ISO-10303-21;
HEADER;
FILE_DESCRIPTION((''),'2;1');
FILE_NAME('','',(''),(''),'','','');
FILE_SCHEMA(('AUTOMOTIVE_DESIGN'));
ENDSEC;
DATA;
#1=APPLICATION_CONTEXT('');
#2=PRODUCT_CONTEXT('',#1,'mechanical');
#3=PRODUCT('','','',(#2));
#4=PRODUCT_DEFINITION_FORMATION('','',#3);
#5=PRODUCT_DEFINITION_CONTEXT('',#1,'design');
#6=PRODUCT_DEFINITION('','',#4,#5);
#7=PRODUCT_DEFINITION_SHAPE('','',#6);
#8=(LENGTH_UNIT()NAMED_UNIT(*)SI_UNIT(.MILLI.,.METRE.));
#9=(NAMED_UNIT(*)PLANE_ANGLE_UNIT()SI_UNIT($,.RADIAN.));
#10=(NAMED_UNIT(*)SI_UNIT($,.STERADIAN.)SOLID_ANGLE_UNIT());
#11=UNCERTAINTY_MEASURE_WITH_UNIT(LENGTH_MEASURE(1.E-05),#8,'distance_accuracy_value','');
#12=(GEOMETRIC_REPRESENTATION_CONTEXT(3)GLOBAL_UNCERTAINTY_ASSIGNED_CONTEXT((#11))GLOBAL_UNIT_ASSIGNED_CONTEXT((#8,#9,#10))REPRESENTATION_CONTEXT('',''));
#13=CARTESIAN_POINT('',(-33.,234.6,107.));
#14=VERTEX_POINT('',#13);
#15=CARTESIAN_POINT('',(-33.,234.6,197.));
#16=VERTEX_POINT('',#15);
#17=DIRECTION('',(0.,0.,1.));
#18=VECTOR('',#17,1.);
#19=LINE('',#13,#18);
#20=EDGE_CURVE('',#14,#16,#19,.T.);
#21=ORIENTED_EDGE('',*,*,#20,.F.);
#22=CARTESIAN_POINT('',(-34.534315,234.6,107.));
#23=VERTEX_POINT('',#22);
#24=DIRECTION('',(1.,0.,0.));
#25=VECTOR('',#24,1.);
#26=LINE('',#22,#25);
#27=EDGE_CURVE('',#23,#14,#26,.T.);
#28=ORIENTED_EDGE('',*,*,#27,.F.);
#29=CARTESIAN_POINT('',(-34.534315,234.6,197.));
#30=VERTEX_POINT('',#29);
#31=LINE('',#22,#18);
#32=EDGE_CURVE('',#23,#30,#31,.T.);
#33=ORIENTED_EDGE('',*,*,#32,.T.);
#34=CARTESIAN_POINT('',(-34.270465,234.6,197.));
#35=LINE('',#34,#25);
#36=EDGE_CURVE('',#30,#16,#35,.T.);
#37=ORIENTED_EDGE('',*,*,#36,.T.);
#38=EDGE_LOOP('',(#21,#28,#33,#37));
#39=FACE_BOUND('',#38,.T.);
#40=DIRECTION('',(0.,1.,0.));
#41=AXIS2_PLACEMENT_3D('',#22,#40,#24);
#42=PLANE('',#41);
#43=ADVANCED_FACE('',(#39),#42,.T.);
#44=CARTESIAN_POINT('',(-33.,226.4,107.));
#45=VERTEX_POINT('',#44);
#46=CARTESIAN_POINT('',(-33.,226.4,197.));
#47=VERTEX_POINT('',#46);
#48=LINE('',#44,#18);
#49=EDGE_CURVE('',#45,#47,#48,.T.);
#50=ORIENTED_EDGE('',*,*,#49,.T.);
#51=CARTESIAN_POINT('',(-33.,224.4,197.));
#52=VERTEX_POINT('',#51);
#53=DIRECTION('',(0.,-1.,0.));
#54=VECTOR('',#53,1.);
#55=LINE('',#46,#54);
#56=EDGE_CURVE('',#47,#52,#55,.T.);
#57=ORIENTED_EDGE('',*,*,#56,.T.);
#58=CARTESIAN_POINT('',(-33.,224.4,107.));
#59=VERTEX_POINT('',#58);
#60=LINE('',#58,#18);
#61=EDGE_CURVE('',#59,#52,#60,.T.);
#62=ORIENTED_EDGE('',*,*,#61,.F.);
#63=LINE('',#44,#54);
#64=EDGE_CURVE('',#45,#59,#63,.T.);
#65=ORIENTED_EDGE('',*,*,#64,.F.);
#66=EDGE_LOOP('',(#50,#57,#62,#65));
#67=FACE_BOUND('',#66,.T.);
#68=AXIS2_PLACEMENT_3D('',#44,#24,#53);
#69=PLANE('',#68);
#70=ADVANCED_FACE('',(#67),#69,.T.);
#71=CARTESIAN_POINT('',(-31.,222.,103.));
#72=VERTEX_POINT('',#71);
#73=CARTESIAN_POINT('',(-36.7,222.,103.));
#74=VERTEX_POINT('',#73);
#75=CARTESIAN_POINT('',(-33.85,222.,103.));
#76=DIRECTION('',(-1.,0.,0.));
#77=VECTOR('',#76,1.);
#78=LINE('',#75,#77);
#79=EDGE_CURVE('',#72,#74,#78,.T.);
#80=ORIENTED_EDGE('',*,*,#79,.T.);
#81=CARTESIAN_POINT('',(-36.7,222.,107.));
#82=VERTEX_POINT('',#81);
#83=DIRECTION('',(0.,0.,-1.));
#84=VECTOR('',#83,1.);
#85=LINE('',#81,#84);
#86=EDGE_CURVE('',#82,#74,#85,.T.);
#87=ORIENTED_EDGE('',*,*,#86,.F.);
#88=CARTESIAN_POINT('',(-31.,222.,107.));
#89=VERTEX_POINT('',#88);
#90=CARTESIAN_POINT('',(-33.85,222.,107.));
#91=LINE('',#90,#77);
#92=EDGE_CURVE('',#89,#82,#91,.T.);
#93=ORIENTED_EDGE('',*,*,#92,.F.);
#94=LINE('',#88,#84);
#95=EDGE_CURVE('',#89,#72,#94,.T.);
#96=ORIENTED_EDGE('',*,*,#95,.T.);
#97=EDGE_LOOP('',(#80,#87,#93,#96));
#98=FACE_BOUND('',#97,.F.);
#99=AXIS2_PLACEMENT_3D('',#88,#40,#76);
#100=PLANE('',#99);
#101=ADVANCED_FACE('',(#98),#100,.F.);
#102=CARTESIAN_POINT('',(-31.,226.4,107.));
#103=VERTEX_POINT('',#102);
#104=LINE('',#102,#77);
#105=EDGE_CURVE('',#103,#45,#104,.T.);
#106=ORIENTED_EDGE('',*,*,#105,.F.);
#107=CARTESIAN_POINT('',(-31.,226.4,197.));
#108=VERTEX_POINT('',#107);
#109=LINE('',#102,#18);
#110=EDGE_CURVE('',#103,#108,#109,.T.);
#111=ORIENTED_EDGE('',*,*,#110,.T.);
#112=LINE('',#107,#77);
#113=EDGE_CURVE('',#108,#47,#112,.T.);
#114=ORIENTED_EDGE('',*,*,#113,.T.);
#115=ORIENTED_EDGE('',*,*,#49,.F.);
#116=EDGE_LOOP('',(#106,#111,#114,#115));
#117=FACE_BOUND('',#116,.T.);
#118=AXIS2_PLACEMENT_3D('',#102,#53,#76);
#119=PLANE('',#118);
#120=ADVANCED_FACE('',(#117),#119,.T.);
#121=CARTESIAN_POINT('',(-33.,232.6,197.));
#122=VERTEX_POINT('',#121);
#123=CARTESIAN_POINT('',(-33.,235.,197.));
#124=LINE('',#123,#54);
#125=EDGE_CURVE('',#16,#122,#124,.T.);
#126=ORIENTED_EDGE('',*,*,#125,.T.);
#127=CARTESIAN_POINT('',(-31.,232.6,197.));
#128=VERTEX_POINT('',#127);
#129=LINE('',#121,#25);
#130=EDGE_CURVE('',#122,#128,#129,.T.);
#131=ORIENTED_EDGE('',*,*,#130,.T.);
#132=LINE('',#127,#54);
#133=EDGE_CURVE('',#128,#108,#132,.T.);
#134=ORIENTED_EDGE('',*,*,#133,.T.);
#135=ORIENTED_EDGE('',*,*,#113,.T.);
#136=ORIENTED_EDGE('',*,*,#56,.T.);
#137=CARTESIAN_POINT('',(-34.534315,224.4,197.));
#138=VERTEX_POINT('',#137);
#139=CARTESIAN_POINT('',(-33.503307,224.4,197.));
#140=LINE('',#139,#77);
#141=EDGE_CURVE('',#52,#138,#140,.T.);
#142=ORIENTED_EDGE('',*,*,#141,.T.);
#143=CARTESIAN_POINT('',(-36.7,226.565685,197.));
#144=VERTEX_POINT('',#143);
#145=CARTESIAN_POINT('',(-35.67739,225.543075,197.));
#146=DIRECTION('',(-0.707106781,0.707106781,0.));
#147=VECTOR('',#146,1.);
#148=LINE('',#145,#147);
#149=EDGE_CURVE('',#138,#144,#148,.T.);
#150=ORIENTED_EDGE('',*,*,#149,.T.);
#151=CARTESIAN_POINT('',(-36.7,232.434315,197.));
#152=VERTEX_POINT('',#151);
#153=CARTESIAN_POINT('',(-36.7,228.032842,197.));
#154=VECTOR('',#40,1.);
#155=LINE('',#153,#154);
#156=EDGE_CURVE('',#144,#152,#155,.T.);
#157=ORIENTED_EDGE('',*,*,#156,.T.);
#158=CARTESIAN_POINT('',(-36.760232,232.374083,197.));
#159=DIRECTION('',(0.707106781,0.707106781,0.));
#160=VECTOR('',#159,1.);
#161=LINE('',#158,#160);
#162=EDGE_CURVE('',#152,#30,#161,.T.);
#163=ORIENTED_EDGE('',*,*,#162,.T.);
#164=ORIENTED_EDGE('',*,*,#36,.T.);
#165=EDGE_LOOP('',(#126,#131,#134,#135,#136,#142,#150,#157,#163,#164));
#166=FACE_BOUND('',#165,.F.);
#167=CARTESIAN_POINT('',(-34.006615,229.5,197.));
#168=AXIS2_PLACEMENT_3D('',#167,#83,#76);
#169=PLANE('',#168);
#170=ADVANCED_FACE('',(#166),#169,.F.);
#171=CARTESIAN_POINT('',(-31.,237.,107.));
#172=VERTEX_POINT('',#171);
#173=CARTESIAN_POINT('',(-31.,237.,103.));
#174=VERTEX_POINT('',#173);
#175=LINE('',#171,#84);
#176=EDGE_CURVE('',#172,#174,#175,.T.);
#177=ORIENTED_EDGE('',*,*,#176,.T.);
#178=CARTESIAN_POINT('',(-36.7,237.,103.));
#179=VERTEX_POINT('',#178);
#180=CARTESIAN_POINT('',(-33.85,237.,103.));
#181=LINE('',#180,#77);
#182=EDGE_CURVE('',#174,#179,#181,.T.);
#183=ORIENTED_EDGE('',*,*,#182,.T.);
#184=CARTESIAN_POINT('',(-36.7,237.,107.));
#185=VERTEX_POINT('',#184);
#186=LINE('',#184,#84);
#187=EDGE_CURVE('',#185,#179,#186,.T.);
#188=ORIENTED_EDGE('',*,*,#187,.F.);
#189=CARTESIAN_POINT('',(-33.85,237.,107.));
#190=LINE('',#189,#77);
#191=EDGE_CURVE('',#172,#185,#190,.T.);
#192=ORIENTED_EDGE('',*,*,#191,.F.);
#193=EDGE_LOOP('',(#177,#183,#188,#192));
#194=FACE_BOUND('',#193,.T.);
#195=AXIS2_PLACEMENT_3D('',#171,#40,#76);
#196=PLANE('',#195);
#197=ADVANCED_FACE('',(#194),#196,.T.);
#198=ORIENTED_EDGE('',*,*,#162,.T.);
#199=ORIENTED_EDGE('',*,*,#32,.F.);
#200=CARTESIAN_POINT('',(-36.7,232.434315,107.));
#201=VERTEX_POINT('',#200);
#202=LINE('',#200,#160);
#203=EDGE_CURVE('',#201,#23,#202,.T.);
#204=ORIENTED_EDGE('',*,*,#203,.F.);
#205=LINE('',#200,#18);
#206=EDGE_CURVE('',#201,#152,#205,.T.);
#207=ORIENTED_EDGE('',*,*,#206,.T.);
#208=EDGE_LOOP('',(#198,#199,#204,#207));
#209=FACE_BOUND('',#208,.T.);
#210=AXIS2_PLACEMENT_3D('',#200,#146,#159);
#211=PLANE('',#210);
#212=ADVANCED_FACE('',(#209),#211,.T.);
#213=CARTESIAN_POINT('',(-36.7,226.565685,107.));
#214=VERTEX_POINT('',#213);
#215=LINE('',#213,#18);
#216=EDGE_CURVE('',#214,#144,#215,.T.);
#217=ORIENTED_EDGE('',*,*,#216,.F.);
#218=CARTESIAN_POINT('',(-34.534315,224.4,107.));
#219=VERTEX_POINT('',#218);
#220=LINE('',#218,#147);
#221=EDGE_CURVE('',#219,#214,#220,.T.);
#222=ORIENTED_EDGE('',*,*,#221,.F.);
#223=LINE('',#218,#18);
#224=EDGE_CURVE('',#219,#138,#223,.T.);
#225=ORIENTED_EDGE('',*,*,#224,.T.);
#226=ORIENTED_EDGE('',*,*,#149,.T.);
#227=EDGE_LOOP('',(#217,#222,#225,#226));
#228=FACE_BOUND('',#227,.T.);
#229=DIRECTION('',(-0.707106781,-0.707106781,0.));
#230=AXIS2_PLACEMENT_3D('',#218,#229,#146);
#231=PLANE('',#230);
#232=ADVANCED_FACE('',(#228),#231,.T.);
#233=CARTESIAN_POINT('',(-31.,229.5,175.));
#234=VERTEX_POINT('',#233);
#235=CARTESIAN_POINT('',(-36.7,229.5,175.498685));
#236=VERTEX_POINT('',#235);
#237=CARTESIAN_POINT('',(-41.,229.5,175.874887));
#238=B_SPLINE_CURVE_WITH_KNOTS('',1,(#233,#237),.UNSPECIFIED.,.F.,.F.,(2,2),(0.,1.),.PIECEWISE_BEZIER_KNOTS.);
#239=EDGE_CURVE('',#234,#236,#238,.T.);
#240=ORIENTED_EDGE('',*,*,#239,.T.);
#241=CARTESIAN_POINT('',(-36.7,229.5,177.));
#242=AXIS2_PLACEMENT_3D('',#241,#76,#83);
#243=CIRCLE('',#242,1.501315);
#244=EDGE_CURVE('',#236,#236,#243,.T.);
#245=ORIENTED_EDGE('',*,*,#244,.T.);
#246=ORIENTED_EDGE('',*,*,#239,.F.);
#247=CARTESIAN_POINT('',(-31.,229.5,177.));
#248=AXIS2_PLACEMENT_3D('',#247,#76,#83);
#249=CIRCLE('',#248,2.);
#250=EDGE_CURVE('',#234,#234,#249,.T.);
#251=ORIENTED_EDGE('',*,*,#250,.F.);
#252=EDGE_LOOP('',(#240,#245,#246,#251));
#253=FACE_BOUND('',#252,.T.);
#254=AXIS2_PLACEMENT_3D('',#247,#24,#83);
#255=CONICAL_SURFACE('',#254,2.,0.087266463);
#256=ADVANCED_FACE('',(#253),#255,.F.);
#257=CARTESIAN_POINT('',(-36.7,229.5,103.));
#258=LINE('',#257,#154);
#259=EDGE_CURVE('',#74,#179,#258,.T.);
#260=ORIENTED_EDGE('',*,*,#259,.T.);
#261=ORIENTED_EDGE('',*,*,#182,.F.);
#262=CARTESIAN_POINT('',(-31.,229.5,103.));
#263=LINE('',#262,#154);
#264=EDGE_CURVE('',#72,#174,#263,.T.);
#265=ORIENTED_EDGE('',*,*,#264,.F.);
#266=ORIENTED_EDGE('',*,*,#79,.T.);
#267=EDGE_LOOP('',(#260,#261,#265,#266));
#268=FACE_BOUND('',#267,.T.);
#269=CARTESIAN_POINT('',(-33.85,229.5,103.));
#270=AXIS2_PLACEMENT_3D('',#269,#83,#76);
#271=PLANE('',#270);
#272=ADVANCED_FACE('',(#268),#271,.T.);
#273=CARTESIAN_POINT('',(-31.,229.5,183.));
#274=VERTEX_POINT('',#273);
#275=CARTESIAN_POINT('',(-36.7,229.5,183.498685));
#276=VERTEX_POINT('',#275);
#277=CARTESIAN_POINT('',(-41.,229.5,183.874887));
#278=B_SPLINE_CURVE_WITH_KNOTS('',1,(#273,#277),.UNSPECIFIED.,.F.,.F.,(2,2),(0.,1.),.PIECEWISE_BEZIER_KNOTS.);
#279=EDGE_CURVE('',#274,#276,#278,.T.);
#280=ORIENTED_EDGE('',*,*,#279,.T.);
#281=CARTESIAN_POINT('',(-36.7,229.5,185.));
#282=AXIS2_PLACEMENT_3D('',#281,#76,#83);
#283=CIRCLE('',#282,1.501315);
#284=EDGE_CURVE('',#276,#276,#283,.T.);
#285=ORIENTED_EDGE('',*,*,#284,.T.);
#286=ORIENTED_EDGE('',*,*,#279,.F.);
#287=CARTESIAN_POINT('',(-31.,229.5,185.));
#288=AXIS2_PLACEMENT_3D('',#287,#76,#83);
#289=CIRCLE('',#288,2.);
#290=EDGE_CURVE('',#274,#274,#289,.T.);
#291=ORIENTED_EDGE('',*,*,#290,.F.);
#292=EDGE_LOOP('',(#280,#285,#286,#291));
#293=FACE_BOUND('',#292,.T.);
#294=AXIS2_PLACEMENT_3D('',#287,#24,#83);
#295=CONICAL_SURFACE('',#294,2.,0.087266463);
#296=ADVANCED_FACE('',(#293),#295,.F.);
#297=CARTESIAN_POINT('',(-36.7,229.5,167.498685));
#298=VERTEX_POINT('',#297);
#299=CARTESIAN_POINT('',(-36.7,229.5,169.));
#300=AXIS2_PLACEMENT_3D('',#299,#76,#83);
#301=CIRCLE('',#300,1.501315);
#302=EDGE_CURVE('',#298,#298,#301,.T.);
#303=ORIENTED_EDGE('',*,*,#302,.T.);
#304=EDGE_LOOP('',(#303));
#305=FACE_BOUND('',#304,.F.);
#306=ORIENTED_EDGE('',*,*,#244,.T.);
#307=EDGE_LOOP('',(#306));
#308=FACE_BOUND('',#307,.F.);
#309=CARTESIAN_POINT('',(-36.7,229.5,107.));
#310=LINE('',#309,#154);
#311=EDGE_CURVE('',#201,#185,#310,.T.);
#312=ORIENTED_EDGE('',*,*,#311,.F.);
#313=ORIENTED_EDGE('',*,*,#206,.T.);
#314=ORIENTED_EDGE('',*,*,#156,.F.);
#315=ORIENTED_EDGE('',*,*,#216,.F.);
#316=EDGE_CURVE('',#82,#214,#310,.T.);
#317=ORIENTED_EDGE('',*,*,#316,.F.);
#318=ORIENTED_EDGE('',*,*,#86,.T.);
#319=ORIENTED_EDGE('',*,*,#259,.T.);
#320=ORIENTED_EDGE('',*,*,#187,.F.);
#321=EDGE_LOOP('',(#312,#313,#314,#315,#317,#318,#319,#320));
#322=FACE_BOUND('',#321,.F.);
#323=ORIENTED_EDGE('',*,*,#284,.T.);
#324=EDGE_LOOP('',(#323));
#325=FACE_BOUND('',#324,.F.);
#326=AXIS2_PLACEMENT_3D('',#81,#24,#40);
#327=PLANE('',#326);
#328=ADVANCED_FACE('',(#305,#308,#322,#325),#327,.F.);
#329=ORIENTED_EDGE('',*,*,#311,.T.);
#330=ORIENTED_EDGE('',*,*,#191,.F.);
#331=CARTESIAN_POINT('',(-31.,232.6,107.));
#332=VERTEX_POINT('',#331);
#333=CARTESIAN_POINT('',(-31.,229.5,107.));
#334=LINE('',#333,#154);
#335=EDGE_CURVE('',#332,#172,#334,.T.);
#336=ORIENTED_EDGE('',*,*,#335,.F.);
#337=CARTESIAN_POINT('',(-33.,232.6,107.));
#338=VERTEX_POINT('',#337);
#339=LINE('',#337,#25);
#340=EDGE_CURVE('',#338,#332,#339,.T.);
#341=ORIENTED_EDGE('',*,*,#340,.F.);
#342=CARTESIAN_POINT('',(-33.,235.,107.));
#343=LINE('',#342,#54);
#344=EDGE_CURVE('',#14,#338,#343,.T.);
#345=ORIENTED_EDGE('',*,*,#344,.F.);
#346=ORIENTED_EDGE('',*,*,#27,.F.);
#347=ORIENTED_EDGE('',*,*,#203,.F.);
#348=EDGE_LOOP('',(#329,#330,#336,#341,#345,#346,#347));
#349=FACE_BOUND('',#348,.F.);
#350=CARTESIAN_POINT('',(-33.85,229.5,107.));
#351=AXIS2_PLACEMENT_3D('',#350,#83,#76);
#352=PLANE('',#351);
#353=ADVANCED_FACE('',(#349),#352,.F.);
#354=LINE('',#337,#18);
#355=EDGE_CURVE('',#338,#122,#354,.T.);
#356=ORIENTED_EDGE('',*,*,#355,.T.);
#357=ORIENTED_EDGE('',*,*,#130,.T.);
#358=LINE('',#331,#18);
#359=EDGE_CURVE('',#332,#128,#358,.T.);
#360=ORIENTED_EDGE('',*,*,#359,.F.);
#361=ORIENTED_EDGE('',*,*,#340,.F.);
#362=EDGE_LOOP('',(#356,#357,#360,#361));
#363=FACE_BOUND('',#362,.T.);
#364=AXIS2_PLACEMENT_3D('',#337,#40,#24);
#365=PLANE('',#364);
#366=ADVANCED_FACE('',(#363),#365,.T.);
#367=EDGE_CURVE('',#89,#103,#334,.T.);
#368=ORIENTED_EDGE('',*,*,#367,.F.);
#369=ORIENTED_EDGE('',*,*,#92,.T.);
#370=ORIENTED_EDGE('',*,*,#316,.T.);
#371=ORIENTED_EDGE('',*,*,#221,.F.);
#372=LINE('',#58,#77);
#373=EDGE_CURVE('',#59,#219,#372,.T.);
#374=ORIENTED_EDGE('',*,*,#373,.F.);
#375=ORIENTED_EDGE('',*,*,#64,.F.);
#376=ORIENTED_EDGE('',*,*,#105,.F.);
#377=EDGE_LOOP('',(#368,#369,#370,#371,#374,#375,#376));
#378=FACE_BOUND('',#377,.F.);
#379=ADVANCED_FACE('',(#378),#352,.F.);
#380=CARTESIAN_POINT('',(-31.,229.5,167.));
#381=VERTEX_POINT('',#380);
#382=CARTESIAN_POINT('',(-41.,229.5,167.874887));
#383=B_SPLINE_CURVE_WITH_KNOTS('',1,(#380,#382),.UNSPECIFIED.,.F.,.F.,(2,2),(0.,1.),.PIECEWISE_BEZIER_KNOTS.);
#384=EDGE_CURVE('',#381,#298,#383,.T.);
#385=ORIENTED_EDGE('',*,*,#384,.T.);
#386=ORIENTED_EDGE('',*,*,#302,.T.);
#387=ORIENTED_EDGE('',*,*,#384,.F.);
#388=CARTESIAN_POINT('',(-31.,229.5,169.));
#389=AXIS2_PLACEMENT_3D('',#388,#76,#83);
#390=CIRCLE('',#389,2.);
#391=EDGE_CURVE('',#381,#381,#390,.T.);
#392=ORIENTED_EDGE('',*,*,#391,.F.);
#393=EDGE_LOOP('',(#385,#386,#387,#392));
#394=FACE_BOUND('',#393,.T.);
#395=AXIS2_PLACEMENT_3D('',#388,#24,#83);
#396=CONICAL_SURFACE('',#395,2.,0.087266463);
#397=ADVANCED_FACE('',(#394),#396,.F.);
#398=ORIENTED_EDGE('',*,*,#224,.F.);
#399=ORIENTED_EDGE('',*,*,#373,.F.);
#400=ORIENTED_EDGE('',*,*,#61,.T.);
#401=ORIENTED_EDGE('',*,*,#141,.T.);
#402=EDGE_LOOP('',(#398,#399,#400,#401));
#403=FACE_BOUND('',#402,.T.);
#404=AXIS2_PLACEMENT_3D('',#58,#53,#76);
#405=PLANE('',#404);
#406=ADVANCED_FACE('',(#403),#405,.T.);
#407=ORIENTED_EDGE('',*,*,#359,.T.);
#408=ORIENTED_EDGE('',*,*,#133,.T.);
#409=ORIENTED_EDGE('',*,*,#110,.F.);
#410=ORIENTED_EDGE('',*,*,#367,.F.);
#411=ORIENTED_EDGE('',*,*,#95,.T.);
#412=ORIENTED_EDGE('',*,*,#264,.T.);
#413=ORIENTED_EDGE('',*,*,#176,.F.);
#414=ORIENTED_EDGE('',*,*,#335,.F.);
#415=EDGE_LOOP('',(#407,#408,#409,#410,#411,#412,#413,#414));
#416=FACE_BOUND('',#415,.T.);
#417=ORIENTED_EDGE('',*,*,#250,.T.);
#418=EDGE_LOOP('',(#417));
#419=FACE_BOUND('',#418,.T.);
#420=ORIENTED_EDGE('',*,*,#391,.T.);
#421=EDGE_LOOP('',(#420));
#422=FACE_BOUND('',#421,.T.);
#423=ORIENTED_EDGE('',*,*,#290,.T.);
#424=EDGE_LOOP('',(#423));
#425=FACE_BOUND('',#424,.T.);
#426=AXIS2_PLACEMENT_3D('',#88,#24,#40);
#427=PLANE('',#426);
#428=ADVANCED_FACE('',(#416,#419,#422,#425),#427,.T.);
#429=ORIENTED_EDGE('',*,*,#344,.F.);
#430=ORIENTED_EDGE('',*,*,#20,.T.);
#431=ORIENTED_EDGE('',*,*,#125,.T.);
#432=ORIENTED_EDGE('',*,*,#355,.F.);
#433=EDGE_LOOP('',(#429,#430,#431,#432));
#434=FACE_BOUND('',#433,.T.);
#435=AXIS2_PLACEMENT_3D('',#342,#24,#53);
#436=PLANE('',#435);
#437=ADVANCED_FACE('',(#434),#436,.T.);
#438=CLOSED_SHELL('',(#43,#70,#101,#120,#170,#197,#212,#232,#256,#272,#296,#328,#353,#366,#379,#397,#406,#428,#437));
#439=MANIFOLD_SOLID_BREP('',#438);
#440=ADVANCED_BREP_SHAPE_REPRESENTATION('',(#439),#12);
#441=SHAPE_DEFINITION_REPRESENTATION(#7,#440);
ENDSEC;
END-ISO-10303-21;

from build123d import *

# Parameters (mm, degrees)
PAD118_DEPTH            = 90
POCKET084_DEPTH         = 90.001
SKETCH238_R             = 2
POCKET085_DEPTH         = 10
POCKET085_TAPER         = 5
SKETCH239_W             = 5.7
SKETCH239_H             = 15
PAD119_DEPTH            = 4
BODY139_ROLL_ANGLE      = 90
BODY139_PLACEMENT_ANGLE = 180


with BuildPart() as part:
    # Sketch236 (on Face1 of CopyLinearPattern013) → Pad118 (new body)
    with BuildSketch(Plane(origin=(0, 240, 0), x_dir=(-1, 0, 0), z_dir=(0, 1, 0))):
        Polygon((10, 3.1), (10, -3.1), (8, -3.1), (8, -5.5), (6.3, -5.5), (3.9, -3.1), (3.9, 3.1), (6.3, 5.5), (8, 5.5), (8, 3.1), align=None)
    extrude(amount=PAD118_DEPTH)

    # Sketch237 (on Face11 of Pad118) → Pocket084 (cut, through all)
    with BuildSketch(Plane.XZ.offset(-240)):
        Polygon((-8, 5.1), (-8, 5.5), (-6.3, 5.5), (-3.9, 3.1), (-3.9, -3.1), (-6.3, -5.5), (-8, -5.5), (-8, -5.1), (-6.465685, -5.1), (-4.3, -2.934315), (-4.3, 2.934315), (-6.465685, 5.1), align=None)
    extrude(amount=-POCKET084_DEPTH, mode=Mode.SUBTRACT)

    # Sketch238 (on Face1 of Pocket084) → Pocket085 (cut)
    with BuildSketch(Plane(origin=(-10, 0, 0), x_dir=(0, -1, 0), z_dir=(-1, 0, 0))):
        with Locations((-310, 0)):
            Circle(SKETCH238_R)
        with Locations((-302, 0)):
            Circle(SKETCH238_R)
        with Locations((-318, 0)):
            Circle(SKETCH238_R)
    extrude(amount=-POCKET085_DEPTH, taper=POCKET085_TAPER, mode=Mode.SUBTRACT)

    # Sketch239 (on Face3 of Pocket085) → Pad119 (join)
    with BuildSketch(Plane.XZ.offset(-240)):
        with Locations((-7.15, 0)):
            Rectangle(SKETCH239_W, SKETCH239_H)
    extrude(amount=PAD119_DEPTH)


with BuildPart() as part_1:
    # Body139 roll: moved
    add(part.part.rotate(Axis((0, 0, 0), (1, 0, 0)), BODY139_ROLL_ANGLE))


with BuildPart() as part_2:
    # Body139 placement: moved
    add(part_1.part.moved(Location((-41, 229.5, -133))).rotate(Axis((-41, 229.5, -133), (0, 0, 1)), BODY139_PLACEMENT_ANGLE))


solid = part_2.part
